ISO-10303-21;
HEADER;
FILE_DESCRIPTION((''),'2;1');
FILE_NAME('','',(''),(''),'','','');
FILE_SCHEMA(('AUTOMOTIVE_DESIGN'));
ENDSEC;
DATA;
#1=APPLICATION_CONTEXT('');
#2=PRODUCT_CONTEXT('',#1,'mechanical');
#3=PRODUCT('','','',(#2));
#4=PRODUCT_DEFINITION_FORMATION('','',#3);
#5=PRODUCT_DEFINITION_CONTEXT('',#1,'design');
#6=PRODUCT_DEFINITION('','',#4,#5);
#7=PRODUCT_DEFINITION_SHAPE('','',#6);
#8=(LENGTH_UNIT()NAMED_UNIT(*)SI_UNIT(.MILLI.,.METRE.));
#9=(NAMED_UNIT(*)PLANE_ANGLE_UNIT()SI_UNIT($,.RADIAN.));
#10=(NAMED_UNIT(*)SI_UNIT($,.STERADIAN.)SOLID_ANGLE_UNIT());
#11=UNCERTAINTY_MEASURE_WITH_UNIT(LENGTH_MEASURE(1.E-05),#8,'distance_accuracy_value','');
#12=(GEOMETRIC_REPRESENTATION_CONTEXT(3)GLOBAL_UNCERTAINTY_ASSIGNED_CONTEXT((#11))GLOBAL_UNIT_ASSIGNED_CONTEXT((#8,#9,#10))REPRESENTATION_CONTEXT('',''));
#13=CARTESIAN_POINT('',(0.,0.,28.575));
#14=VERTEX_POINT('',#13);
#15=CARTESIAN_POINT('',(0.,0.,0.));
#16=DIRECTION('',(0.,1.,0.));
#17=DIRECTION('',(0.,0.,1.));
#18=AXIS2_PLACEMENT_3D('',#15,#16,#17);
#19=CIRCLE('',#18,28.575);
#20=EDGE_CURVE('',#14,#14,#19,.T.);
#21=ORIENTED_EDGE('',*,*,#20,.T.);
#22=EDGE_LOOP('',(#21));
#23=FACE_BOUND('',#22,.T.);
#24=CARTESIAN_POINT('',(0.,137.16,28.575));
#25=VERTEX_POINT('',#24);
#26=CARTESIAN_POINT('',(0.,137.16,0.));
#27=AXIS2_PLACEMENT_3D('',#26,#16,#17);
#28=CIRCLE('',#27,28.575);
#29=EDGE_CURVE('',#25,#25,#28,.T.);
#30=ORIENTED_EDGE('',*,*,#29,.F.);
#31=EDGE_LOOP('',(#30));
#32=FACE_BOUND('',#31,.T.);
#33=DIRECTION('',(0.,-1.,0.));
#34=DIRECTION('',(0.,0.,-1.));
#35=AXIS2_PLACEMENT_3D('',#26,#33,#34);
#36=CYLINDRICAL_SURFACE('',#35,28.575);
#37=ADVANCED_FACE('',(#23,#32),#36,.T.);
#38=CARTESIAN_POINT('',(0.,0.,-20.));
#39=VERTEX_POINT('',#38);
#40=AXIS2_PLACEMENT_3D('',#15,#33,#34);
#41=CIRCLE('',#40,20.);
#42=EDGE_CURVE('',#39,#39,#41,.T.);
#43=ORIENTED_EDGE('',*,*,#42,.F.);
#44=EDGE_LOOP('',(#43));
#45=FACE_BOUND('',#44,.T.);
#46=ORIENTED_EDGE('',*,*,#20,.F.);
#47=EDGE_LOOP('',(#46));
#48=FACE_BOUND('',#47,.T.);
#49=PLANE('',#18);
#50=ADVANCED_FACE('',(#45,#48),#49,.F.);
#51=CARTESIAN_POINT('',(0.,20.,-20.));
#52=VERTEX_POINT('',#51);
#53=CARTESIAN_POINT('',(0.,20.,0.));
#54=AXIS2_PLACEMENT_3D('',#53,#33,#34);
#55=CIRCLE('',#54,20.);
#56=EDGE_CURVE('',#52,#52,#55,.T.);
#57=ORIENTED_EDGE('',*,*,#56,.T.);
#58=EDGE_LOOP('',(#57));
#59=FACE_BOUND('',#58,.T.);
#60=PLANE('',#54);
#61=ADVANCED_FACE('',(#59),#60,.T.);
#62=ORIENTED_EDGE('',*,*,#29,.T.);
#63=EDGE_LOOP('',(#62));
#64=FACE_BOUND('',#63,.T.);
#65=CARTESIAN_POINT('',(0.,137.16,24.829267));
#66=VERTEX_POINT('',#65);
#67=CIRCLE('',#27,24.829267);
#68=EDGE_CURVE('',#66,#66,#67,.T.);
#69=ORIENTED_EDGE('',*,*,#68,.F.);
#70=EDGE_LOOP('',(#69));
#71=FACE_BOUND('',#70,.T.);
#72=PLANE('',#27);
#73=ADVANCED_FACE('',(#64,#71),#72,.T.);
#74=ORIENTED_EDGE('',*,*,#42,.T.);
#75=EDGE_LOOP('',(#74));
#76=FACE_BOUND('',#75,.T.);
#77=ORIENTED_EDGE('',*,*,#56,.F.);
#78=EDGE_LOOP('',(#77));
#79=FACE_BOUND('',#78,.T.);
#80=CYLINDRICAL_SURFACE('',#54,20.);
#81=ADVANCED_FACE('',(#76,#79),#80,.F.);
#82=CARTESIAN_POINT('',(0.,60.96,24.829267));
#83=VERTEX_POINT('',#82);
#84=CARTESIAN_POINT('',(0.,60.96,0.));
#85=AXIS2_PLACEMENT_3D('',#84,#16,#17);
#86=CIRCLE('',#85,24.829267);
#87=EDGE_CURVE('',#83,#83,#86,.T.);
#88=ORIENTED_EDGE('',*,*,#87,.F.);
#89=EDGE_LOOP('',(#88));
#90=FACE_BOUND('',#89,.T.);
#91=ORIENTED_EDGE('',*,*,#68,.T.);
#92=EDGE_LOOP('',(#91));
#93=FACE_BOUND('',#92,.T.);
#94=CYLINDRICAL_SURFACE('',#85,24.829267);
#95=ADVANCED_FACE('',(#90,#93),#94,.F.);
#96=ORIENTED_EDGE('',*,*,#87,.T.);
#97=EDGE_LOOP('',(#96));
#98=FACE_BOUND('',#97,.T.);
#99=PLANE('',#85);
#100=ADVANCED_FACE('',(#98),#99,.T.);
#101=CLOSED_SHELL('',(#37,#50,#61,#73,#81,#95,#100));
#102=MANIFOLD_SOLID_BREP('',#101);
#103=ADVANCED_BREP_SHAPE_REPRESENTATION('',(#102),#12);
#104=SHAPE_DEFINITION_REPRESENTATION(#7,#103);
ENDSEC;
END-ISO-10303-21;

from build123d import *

# Parameters (mm, degrees)
SKETCH1_R           = 28.575
BOSS_EXTRUDE1_DEPTH = 137.16
SKETCH2_R           = 24.829267429
CUT_EXTRUDE1_DEPTH  = 76.2
SKETCH3_R           = 20
CUT_EXTRUDE2_DEPTH  = 20


with BuildPart() as part:
    # Sketch1 → Boss-Extrude1 (new body)
    with BuildSketch(Plane(origin=(0, 0, 0), x_dir=(1, 0, 0), z_dir=(0, 1, 0))):
        Circle(SKETCH1_R)
    extrude(amount=BOSS_EXTRUDE1_DEPTH)

    # Sketch2 → Cut-Extrude1 (cut)
    with BuildSketch(Plane(origin=(0, 137.16, 0), x_dir=(1, 0, 0), z_dir=(0, 1, 0))):
        Circle(SKETCH2_R)
    extrude(amount=-CUT_EXTRUDE1_DEPTH, mode=Mode.SUBTRACT)

    # Sketch3 → Cut-Extrude2 (cut)
    with BuildSketch(Plane.XZ):
        Circle(SKETCH3_R)
    extrude(amount=-CUT_EXTRUDE2_DEPTH, mode=Mode.SUBTRACT)


solid = part.part
